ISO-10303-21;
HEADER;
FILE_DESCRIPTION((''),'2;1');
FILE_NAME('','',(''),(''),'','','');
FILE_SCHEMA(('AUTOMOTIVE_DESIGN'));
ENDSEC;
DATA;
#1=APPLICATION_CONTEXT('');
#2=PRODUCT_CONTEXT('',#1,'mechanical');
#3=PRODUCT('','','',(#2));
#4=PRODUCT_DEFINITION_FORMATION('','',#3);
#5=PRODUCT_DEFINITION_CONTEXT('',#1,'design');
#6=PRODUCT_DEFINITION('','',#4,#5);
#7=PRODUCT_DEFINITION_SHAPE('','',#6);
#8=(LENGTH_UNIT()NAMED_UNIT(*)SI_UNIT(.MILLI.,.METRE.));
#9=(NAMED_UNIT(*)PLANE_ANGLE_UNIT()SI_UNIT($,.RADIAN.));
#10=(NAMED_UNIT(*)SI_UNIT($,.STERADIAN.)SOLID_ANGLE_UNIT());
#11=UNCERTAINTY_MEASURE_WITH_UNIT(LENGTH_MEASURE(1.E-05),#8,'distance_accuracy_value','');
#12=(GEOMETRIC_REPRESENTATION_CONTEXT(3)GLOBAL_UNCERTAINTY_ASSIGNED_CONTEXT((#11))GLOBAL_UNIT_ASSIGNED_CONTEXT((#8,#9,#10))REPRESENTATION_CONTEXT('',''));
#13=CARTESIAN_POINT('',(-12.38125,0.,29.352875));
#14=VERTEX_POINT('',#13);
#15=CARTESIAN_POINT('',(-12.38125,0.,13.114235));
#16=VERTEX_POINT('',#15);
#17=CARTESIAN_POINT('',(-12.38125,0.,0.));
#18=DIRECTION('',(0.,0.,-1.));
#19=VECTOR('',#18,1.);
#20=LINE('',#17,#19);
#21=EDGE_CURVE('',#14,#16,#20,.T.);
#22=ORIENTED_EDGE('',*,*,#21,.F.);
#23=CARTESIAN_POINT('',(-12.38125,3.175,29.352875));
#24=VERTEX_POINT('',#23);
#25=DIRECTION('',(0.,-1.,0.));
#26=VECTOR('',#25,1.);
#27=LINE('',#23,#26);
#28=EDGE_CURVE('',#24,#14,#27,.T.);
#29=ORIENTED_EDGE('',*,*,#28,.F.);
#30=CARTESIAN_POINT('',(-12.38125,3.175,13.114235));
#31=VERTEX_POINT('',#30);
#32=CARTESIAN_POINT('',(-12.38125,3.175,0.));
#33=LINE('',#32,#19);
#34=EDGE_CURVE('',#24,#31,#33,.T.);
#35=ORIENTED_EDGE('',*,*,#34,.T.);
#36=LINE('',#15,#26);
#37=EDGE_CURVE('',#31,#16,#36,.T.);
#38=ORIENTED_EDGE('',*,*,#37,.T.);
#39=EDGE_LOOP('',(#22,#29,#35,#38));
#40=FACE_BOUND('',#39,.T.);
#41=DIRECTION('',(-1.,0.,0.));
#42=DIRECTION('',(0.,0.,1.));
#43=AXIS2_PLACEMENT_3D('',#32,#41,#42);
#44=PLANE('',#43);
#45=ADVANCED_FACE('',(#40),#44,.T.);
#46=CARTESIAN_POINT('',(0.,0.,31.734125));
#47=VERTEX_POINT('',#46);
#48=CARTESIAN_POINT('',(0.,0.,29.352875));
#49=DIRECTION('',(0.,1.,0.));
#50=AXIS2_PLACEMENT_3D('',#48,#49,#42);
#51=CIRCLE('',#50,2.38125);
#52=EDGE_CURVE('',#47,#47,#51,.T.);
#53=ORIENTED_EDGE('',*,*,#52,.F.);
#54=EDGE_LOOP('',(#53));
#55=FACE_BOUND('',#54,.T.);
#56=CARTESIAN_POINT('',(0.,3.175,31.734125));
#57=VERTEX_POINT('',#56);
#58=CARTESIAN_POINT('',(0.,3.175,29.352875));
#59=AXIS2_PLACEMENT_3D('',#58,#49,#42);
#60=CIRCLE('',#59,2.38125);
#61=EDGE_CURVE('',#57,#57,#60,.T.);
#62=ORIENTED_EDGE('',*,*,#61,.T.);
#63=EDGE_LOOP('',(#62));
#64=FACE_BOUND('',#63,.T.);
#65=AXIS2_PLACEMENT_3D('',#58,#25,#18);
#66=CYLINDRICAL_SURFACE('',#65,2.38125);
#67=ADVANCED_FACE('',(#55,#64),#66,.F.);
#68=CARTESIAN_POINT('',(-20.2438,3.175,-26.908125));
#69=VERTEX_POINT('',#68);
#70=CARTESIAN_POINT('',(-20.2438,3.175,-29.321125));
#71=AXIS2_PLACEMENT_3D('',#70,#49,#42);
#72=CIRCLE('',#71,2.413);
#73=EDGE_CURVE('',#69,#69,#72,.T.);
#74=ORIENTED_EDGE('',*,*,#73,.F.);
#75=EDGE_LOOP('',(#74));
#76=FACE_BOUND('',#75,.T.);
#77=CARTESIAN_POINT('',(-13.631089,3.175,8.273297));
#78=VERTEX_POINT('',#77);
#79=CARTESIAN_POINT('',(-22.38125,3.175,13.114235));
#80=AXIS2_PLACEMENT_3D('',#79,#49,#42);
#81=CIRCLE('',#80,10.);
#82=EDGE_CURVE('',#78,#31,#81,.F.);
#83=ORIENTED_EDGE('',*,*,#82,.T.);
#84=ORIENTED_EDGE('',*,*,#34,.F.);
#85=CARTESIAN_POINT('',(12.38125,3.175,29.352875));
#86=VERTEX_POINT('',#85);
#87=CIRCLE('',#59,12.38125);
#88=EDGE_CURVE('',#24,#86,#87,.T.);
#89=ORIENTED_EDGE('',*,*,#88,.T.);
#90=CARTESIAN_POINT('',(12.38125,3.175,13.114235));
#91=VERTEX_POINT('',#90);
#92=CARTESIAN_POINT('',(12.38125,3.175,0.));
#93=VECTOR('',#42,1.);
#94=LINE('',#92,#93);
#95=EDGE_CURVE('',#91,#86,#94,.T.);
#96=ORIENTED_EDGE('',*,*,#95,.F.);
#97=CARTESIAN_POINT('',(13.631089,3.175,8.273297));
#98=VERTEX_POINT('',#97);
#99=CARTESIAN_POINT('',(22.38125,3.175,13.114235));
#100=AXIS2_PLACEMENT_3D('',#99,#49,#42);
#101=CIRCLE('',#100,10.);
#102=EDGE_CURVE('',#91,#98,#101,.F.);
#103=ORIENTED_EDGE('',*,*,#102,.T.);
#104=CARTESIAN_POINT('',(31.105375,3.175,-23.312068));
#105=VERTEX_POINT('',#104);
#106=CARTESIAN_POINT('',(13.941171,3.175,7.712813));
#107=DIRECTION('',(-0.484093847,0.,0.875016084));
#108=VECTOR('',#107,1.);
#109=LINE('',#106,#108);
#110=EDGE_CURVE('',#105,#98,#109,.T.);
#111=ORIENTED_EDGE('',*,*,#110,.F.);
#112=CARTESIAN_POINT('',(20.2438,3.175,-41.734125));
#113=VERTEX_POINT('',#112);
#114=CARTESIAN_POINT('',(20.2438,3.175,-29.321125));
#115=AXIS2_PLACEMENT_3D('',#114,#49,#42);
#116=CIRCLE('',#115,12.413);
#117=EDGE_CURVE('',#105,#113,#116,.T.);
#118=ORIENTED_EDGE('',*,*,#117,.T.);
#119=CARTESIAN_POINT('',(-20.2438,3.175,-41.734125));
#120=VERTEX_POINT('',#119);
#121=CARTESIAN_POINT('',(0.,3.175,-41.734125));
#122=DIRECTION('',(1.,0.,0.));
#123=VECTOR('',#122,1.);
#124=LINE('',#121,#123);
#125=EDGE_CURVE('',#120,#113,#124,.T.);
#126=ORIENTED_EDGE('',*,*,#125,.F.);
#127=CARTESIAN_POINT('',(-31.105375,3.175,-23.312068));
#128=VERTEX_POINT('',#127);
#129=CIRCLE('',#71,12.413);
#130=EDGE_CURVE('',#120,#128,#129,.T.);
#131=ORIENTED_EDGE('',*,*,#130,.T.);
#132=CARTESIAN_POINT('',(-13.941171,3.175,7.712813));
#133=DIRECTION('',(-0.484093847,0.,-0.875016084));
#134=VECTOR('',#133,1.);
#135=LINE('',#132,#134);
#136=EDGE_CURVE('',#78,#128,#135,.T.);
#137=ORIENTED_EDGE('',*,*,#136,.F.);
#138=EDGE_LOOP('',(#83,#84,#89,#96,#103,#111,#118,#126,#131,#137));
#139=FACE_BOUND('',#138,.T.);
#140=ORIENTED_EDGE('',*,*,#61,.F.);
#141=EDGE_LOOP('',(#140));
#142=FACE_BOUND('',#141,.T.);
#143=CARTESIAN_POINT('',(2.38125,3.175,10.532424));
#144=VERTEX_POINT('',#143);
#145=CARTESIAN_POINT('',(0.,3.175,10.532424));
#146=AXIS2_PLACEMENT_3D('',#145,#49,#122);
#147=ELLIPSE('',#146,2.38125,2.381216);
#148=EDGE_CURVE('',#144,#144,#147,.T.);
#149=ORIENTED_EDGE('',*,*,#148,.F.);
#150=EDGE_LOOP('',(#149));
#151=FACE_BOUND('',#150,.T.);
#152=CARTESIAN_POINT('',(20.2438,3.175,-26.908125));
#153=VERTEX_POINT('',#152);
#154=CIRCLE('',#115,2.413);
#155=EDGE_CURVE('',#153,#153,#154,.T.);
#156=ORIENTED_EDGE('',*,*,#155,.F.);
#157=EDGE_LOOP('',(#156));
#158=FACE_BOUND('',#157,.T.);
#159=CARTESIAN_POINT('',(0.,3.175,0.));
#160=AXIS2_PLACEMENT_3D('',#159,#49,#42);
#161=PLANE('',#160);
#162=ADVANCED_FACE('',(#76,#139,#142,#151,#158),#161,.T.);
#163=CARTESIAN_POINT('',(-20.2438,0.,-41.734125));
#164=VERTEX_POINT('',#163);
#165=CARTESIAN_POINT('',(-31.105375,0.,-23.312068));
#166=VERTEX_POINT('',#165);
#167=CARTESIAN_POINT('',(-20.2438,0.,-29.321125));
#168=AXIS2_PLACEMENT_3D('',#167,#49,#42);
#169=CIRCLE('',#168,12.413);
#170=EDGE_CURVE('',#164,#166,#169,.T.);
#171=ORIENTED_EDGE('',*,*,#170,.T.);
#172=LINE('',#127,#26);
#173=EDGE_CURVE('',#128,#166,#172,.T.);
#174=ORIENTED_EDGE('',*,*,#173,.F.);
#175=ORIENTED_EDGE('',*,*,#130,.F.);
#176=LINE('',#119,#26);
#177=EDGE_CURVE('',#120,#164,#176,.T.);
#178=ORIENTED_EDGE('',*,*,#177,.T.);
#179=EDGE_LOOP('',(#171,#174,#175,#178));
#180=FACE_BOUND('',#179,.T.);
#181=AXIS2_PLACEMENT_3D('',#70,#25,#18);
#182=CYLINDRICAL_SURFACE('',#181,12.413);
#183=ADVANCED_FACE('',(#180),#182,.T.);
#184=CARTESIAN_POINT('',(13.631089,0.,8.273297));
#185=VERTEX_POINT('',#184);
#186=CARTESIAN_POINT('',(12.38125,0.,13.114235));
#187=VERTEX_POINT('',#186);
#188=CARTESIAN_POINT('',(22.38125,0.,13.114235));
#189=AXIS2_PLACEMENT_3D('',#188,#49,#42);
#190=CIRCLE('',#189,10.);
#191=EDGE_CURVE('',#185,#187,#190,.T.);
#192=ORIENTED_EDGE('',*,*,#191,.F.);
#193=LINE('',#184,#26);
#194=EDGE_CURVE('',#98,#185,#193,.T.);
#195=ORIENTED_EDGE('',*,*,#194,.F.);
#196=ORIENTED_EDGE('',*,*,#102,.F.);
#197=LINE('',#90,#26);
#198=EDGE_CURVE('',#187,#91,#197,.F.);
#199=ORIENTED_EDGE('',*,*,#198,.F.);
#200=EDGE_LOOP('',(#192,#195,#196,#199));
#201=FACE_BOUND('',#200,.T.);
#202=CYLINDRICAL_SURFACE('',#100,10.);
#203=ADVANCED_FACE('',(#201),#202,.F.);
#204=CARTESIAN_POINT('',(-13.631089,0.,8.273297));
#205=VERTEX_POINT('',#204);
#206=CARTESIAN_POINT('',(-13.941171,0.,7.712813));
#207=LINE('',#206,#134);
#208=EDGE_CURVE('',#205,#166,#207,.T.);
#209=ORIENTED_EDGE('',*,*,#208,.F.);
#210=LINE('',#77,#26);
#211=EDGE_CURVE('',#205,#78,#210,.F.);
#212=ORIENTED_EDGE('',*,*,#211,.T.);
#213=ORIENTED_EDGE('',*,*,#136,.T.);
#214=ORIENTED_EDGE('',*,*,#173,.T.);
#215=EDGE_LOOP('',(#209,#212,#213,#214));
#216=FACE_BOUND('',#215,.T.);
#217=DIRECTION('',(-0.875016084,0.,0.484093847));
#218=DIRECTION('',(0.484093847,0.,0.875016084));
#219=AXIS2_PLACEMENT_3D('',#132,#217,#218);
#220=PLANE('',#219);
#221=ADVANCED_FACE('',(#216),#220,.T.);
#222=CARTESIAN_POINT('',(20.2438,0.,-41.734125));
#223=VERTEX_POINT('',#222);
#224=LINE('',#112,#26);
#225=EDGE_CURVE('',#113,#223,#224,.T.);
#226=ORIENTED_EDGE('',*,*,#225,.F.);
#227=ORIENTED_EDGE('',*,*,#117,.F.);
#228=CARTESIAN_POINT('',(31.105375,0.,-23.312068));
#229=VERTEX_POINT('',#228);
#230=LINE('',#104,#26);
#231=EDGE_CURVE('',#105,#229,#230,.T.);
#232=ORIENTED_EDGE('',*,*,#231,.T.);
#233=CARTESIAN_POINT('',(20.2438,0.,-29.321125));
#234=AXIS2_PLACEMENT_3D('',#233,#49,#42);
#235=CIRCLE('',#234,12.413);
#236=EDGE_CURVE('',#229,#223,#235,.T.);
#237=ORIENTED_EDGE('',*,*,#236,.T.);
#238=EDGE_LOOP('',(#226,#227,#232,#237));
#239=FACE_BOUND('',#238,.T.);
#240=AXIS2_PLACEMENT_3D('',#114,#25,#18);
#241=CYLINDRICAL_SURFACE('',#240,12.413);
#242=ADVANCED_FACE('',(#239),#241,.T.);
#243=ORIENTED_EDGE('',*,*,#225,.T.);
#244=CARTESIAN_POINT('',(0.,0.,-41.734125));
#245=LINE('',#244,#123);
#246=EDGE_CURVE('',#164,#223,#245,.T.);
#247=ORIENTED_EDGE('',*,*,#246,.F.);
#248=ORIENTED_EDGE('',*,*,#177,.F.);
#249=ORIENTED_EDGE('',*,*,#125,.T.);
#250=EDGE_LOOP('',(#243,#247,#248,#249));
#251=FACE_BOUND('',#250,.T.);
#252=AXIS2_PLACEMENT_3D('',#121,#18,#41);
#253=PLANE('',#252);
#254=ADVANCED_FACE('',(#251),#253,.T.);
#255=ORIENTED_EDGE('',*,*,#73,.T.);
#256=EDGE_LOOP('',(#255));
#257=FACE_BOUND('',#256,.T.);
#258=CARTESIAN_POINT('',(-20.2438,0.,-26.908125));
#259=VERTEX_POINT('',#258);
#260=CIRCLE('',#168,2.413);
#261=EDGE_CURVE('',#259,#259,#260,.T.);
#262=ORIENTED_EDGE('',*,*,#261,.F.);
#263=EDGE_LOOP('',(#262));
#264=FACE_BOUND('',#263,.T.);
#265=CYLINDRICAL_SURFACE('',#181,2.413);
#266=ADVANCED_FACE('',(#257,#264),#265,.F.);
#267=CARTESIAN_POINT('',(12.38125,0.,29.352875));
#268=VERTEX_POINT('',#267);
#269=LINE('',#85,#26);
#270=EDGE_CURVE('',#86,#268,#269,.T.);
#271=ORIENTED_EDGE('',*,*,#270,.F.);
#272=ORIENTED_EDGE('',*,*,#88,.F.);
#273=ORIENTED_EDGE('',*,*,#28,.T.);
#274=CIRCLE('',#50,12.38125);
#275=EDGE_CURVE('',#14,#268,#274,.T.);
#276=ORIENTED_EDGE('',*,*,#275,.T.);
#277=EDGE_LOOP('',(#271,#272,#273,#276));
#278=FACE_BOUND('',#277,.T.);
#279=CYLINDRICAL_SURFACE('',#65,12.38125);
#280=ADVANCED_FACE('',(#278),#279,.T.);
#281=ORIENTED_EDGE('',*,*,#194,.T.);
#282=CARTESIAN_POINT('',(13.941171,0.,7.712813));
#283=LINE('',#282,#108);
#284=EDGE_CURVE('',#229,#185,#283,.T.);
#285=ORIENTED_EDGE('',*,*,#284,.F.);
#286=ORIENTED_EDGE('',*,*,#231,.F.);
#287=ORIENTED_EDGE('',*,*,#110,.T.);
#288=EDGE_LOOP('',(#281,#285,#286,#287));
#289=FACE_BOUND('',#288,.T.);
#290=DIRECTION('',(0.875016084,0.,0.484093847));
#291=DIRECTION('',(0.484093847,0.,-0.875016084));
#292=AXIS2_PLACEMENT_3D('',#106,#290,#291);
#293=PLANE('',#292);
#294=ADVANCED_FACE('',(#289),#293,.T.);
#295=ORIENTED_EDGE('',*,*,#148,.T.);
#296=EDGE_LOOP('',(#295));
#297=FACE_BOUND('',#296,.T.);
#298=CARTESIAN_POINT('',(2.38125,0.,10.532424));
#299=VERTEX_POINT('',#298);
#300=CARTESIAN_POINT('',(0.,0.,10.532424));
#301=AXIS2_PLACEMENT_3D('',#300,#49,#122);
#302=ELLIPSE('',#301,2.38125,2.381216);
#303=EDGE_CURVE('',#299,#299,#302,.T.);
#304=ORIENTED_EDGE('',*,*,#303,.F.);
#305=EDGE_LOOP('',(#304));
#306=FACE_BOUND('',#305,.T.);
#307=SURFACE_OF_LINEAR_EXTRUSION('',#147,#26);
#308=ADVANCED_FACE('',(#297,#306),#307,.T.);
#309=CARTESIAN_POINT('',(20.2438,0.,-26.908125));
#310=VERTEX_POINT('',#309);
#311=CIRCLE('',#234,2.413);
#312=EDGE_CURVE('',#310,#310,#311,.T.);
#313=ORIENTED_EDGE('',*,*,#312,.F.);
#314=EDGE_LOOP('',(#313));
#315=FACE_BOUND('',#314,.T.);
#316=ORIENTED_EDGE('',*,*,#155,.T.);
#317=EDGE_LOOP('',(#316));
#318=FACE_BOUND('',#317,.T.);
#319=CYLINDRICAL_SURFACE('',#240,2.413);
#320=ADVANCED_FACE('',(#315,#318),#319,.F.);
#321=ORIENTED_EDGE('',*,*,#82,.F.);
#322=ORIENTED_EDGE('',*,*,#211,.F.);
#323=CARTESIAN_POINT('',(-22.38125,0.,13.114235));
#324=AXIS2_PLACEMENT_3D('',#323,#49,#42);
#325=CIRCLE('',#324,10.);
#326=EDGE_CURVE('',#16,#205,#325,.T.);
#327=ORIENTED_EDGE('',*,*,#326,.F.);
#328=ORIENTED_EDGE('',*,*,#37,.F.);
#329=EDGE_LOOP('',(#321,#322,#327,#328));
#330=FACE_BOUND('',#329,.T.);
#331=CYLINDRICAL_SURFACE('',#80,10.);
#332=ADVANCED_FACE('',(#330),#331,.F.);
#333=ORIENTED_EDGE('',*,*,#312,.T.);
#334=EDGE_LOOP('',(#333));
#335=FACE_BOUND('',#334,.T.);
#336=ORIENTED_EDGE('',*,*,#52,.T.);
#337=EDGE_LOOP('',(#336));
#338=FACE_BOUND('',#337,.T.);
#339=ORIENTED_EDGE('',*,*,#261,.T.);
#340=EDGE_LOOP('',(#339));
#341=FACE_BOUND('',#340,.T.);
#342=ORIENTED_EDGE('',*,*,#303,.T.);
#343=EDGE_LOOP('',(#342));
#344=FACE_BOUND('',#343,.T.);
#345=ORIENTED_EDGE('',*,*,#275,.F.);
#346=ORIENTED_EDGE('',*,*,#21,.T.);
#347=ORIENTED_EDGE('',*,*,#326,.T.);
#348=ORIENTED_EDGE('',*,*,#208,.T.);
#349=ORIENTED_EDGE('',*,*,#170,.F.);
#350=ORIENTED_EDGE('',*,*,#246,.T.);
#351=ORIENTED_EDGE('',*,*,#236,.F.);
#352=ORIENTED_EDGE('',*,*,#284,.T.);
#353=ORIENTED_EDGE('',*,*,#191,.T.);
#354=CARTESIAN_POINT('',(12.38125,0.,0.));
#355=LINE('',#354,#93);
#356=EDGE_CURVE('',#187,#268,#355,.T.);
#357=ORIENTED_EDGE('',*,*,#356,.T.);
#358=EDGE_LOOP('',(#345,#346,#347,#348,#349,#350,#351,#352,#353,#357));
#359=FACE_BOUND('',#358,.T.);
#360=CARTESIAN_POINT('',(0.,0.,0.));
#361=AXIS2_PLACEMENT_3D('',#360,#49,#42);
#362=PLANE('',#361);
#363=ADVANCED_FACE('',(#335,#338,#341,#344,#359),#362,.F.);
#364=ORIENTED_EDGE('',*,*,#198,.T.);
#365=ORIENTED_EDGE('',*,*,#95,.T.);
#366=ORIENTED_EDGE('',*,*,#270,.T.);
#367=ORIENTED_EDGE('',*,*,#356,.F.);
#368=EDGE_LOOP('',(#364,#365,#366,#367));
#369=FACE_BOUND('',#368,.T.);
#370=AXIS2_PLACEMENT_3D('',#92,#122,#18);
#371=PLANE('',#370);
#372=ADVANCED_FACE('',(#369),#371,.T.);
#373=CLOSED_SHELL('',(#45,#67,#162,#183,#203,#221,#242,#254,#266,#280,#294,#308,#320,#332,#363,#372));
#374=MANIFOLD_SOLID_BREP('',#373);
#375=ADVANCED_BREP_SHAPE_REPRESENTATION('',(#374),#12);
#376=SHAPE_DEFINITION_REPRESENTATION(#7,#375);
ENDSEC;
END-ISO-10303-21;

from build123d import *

# Parameters (mm, degrees)
SKETCH1_R           = 2.38125
SKETCH1_R_2         = 12.413
SKETCH1_R_3         = 2.413
BOSS_EXTRUDE1_DEPTH = 3.175
FILLET1_R           = 10


with BuildPart() as part:
    # Sketch1 → Boss-Extrude1 (new body)
    with BuildSketch(Plane(origin=(0, 0, 0), x_dir=(1, 0, 0), z_dir=(0, 1, 0))):
        with BuildLine():
            ThreePointArc((-8.046041628, -19.942425209), (-11.245341357, -24.172368354), (-12.38125, -29.352875022))
            ThreePointArc((-12.38125, -29.352875022), (0, -41.734125022), (12.38125, -29.352875022))
            ThreePointArc((12.38125, -29.352875022), (11.245341357, -24.172368354), (8.046041628, -19.942425209))
            add(Edge.make_bspline(
                [(-8.046041628, -19.942425209), (-7.058484548, -20.785974262), (-4.539606647, -22.332996604), (0, -23.235965205), (4.539606647, -22.332996604), (7.058484548, -20.785974262), (8.046041628, -19.942425209)],
                knots=[4.00497242, 4.00497242, 4.00497242, 4.00497242, 4.319689899, 4.71238898, 5.105088062, 5.419805541, 5.419805541, 5.419805541, 5.419805541], degree=3))
        make_face()
        with Locations((0, -29.352875022)):
            Circle(SKETCH1_R, mode=Mode.SUBTRACT)
        with BuildLine():
            Line((-12.38125, -10.532423695), (-12.38125, -29.352875022))
            ThreePointArc((-12.38125, -29.352875022), (-11.245341357, -24.172368354), (-8.046041628, -19.942425209))
            add(Edge.make_bspline(
                [(-12.38125, -10.532423695), (-12.38125, -10.937602676), (-12.301779915, -12.5583186), (-11.507079063, -15.737360854), (-9.718393414, -18.414272732), (-8.290741365, -19.733408195), (-8.046041628, -19.942425209)],
                knots=[3.141592654, 3.141592654, 3.141592654, 3.141592654, 3.239767424, 3.534291735, 3.926990817, 4.00497242, 4.00497242, 4.00497242, 4.00497242], degree=3))
        make_face()
        with BuildLine():
            ThreePointArc((8.046041628, -19.942425209), (0, -16.971625022), (-8.046041628, -19.942425209))
            add(Edge.make_bspline(
                [(-8.046041628, -19.942425209), (-7.058484548, -20.785974262), (-4.539606647, -22.332996604), (0, -23.235965205), (4.539606647, -22.332996604), (7.058484548, -20.785974262), (8.046041628, -19.942425209)],
                knots=[4.00497242, 4.00497242, 4.00497242, 4.00497242, 4.319689899, 4.71238898, 5.105088062, 5.419805541, 5.419805541, 5.419805541, 5.419805541], degree=3))
        make_face()
        with BuildLine():
            ThreePointArc((8.046041628, -19.942425209), (11.245341357, -24.172368354), (12.38125, -29.352875022))
            Line((12.38125, -29.352875022), (12.38125, -10.532423695))
            add(Edge.make_bspline(
                [(8.046041628, -19.942425209), (8.290741365, -19.733408195), (9.718393414, -18.414272732), (11.736565023, -15.393916665), (12.38125, -12.152921351), (12.38125, -10.532423695)],
                knots=[5.419805541, 5.419805541, 5.419805541, 5.419805541, 5.497787144, 5.890486225, 6.283185307, 6.283185307, 6.283185307, 6.283185307], degree=3))
        make_face()
        with BuildLine():
            add(Edge.make_bspline(
                [(12.38125, -10.532423695), (12.38125, -8.911926038), (11.736565023, -5.670930724), (8.982733505, -1.549600459), (4.861396275, 1.204142363), (0, 2.171117815), (-4.861396275, 1.204142363), (-8.982733505, -1.549600459), (-11.507079063, -5.327486536), (-12.301779915, -8.506528789), (-12.38125, -10.127244714), (-12.38125, -10.532423695)],
                knots=[0, 0, 0, 0, 0.392699082, 0.785398163, 1.178097245, 1.570796327, 1.963495408, 2.35619449, 2.748893572, 3.043417883, 3.141592654, 3.141592654, 3.141592654, 3.141592654], degree=3))
            add(Edge.make_bspline(
                [(-12.38125, -10.532423695), (-12.38125, -10.937602676), (-12.301779915, -12.5583186), (-11.507079063, -15.737360854), (-9.718393414, -18.414272732), (-8.290741365, -19.733408195), (-8.046041628, -19.942425209)],
                knots=[3.141592654, 3.141592654, 3.141592654, 3.141592654, 3.239767424, 3.534291735, 3.926990817, 4.00497242, 4.00497242, 4.00497242, 4.00497242], degree=3))
            ThreePointArc((-8.046041628, -19.942425209), (0, -16.971625022), (8.046041628, -19.942425209))
            add(Edge.make_bspline(
                [(8.046041628, -19.942425209), (8.290741365, -19.733408195), (9.718393414, -18.414272732), (11.736565023, -15.393916665), (12.38125, -12.152921351), (12.38125, -10.532423695)],
                knots=[5.419805541, 5.419805541, 5.419805541, 5.419805541, 5.497787144, 5.890486225, 6.283185307, 6.283185307, 6.283185307, 6.283185307], degree=3))
        make_face()
        with BuildLine():
            add(Edge.make_bspline(
                [(2.38125, -10.532423695), (2.38125, -6.408035977), (-1.190625, -8.470229836), (-4.7625, -10.532423695), (-1.190625, -12.594617554), (2.38125, -14.656811413), (2.38125, -10.532423695)],
                knots=[0, 0, 0, 2.094395102, 2.094395102, 4.188790205, 4.188790205, 6.283185307, 6.283185307, 6.283185307], degree=2, weights=[1, 0.5, 1, 0.5, 1, 0.5, 1]))
        make_face(mode=Mode.SUBTRACT)
        with BuildLine():
            Line((-31.105374648, 23.312068051), (-12.38125, -10.532423695))
            add(Edge.make_bspline(
                [(12.38125, -10.532423695), (12.38125, -8.911926038), (11.736565023, -5.670930724), (8.982733505, -1.549600459), (4.861396275, 1.204142363), (0, 2.171117815), (-4.861396275, 1.204142363), (-8.982733505, -1.549600459), (-11.507079063, -5.327486536), (-12.301779915, -8.506528789), (-12.38125, -10.127244714), (-12.38125, -10.532423695)],
                knots=[0, 0, 0, 0, 0.392699082, 0.785398163, 1.178097245, 1.570796327, 1.963495408, 2.35619449, 2.748893572, 3.043417883, 3.141592654, 3.141592654, 3.141592654, 3.141592654], degree=3))
            Line((12.38125, -10.532423695), (31.105374628, 23.312068057))
            ThreePointArc((31.105374628, 23.312068057), (9.550975447, 23.016676344), (20.2438, 41.734124978))
            Line((20.2438, 41.734124978), (-20.2438, 41.734124978))
            ThreePointArc((-20.2438, 41.734124978), (-11.466483525, 38.098441453), (-7.8308, 29.321124978))
            ThreePointArc((-7.8308, 29.321124978), (-17.140749655, 17.302237861), (-31.105374648, 23.312068051))
        make_face()
        with Locations((20.243799976, 29.321124978)):
            Circle(SKETCH1_R_2)
        with Locations((20.2438, 29.321125022)):
            Circle(SKETCH1_R_3, mode=Mode.SUBTRACT)
        with Locations((-20.2438, 29.321124978)):
            Circle(SKETCH1_R_2)
        with Locations((-20.2438, 29.321124978)):
            Circle(SKETCH1_R_3, mode=Mode.SUBTRACT)
    extrude(amount=BOSS_EXTRUDE1_DEPTH)

    # Fillet1
    fillet1_edges = [part.edges().sort_by_distance(p)[0] for p in [
        (-12.38125, 1.5875, 10.532423695),
        (12.38125, 1.5875, 10.532423695),
    ]]
    fillet(fillet1_edges, radius=FILLET1_R)


solid = part.part
